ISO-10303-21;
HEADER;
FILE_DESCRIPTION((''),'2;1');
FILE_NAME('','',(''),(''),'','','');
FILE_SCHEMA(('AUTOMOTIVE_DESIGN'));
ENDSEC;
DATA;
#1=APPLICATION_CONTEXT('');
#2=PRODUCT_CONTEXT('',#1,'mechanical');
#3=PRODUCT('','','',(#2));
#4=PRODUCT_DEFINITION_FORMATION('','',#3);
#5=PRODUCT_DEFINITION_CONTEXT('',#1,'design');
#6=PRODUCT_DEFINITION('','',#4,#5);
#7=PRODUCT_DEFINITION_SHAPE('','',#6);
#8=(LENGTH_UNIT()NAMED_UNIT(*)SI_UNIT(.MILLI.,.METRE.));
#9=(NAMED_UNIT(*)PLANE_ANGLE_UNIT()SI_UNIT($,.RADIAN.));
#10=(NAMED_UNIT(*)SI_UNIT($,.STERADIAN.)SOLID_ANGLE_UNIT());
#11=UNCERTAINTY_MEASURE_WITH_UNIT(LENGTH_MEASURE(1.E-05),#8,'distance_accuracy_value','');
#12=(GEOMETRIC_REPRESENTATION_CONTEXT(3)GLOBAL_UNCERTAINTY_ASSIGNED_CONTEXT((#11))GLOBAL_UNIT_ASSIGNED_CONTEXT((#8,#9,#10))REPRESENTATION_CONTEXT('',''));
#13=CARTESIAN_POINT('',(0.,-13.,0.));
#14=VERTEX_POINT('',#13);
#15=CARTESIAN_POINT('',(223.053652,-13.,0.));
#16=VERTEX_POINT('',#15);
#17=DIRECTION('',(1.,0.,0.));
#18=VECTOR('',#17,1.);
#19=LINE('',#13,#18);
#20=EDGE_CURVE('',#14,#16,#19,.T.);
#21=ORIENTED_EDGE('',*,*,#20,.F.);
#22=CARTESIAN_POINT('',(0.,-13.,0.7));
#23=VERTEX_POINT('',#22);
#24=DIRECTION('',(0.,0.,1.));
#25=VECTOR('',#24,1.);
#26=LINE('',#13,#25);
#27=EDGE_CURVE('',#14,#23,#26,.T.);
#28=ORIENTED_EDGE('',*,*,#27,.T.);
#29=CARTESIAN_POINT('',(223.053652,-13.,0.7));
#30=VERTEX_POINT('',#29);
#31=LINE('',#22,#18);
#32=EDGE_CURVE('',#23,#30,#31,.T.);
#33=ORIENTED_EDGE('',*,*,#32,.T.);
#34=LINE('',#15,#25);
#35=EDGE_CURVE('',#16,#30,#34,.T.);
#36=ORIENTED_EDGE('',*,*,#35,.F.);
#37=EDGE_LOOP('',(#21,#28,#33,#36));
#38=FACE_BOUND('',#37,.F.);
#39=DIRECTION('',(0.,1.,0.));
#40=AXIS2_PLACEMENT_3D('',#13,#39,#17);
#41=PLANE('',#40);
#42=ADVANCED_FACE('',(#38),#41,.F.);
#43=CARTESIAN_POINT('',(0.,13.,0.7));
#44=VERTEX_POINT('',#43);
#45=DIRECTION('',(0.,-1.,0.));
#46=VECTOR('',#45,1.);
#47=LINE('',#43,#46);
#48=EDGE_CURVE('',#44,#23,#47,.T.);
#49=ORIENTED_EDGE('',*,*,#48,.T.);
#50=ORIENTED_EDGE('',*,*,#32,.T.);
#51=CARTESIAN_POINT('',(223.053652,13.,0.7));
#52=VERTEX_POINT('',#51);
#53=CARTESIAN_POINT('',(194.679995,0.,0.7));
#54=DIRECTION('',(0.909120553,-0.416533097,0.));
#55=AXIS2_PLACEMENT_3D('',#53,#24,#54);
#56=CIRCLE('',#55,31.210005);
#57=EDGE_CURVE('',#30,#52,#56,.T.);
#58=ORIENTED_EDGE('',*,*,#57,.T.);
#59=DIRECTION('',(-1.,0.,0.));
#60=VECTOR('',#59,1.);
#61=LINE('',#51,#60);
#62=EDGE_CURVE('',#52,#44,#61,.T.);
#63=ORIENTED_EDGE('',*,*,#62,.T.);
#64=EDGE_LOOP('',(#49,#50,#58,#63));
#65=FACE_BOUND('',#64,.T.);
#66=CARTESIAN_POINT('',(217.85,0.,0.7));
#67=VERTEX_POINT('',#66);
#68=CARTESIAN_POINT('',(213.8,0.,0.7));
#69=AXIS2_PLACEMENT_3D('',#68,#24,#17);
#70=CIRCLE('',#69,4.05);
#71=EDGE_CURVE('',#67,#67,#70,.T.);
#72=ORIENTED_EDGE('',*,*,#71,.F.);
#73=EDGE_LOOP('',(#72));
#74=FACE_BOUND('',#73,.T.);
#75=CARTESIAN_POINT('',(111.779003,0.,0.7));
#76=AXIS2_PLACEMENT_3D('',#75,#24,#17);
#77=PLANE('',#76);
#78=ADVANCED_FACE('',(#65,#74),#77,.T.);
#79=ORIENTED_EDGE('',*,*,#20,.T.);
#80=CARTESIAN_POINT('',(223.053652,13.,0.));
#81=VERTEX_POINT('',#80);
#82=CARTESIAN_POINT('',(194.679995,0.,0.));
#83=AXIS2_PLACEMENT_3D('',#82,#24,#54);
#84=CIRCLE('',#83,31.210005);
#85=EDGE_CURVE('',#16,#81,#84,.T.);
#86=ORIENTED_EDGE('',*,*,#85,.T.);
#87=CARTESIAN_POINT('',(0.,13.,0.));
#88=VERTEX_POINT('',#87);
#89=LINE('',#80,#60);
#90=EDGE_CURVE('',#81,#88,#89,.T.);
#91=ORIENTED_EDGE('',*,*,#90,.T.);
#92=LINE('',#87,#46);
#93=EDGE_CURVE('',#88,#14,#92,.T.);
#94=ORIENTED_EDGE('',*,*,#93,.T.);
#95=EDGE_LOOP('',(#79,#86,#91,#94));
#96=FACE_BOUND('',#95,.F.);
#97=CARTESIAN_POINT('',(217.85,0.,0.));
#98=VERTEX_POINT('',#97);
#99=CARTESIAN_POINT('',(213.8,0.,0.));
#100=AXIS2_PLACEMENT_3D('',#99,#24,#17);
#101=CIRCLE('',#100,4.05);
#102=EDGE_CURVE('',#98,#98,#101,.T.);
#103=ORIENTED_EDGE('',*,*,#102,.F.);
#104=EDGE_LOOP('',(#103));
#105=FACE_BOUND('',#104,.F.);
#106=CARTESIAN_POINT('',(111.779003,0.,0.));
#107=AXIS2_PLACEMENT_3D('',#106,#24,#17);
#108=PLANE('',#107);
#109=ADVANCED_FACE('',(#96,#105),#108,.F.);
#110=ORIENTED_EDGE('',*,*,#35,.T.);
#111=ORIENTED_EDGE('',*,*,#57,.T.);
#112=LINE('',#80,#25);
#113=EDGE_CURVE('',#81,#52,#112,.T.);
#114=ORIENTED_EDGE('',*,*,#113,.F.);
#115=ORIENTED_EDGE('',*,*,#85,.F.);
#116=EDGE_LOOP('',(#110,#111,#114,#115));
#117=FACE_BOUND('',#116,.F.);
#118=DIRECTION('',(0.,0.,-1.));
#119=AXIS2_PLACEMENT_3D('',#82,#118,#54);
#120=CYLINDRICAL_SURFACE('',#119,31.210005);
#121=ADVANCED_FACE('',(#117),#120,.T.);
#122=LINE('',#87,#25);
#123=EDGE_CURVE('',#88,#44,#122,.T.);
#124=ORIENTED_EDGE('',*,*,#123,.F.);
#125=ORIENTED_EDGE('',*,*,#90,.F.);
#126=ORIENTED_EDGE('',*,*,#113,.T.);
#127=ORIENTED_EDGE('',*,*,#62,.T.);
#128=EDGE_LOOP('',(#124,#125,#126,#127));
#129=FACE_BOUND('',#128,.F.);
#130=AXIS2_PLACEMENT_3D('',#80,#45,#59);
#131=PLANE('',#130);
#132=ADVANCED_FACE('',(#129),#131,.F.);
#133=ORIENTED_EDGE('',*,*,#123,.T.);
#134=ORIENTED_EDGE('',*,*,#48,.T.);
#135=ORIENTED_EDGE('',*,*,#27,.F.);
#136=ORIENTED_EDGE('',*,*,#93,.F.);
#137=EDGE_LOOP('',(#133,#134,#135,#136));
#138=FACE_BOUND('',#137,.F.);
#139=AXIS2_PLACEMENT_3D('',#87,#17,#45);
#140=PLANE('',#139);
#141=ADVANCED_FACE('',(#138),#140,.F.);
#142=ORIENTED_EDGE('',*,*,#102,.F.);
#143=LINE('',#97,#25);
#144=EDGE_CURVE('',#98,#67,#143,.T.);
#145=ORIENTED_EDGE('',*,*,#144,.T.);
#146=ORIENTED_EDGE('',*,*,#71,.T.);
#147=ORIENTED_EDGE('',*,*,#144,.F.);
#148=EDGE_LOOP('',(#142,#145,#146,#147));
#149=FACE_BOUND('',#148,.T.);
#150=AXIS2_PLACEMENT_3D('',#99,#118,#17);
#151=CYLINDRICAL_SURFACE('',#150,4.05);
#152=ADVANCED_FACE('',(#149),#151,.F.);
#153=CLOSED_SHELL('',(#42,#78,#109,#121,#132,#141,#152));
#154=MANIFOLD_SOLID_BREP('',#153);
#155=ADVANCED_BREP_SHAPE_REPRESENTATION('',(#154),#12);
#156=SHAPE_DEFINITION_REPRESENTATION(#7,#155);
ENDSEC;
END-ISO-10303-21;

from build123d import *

# Parameters (mm, degrees)
SKETCH_R  = 4.05
PAD_DEPTH = 0.7


with BuildPart() as part:
    # Sketch → Pad (new body)
    with BuildSketch(Plane.XY):
        with BuildLine():
            Line((223.053652, 13), (0, 13))
            Line((0, 13), (0, -13))
            Line((0, -13), (223.053652, -13))
            ThreePointArc((223.053652, -13), (225.89, 0), (223.053652, 13))
        make_face()
        with Locations((213.8, 0)):
            Circle(SKETCH_R, mode=Mode.SUBTRACT)
    extrude(amount=PAD_DEPTH)


solid = part.part
